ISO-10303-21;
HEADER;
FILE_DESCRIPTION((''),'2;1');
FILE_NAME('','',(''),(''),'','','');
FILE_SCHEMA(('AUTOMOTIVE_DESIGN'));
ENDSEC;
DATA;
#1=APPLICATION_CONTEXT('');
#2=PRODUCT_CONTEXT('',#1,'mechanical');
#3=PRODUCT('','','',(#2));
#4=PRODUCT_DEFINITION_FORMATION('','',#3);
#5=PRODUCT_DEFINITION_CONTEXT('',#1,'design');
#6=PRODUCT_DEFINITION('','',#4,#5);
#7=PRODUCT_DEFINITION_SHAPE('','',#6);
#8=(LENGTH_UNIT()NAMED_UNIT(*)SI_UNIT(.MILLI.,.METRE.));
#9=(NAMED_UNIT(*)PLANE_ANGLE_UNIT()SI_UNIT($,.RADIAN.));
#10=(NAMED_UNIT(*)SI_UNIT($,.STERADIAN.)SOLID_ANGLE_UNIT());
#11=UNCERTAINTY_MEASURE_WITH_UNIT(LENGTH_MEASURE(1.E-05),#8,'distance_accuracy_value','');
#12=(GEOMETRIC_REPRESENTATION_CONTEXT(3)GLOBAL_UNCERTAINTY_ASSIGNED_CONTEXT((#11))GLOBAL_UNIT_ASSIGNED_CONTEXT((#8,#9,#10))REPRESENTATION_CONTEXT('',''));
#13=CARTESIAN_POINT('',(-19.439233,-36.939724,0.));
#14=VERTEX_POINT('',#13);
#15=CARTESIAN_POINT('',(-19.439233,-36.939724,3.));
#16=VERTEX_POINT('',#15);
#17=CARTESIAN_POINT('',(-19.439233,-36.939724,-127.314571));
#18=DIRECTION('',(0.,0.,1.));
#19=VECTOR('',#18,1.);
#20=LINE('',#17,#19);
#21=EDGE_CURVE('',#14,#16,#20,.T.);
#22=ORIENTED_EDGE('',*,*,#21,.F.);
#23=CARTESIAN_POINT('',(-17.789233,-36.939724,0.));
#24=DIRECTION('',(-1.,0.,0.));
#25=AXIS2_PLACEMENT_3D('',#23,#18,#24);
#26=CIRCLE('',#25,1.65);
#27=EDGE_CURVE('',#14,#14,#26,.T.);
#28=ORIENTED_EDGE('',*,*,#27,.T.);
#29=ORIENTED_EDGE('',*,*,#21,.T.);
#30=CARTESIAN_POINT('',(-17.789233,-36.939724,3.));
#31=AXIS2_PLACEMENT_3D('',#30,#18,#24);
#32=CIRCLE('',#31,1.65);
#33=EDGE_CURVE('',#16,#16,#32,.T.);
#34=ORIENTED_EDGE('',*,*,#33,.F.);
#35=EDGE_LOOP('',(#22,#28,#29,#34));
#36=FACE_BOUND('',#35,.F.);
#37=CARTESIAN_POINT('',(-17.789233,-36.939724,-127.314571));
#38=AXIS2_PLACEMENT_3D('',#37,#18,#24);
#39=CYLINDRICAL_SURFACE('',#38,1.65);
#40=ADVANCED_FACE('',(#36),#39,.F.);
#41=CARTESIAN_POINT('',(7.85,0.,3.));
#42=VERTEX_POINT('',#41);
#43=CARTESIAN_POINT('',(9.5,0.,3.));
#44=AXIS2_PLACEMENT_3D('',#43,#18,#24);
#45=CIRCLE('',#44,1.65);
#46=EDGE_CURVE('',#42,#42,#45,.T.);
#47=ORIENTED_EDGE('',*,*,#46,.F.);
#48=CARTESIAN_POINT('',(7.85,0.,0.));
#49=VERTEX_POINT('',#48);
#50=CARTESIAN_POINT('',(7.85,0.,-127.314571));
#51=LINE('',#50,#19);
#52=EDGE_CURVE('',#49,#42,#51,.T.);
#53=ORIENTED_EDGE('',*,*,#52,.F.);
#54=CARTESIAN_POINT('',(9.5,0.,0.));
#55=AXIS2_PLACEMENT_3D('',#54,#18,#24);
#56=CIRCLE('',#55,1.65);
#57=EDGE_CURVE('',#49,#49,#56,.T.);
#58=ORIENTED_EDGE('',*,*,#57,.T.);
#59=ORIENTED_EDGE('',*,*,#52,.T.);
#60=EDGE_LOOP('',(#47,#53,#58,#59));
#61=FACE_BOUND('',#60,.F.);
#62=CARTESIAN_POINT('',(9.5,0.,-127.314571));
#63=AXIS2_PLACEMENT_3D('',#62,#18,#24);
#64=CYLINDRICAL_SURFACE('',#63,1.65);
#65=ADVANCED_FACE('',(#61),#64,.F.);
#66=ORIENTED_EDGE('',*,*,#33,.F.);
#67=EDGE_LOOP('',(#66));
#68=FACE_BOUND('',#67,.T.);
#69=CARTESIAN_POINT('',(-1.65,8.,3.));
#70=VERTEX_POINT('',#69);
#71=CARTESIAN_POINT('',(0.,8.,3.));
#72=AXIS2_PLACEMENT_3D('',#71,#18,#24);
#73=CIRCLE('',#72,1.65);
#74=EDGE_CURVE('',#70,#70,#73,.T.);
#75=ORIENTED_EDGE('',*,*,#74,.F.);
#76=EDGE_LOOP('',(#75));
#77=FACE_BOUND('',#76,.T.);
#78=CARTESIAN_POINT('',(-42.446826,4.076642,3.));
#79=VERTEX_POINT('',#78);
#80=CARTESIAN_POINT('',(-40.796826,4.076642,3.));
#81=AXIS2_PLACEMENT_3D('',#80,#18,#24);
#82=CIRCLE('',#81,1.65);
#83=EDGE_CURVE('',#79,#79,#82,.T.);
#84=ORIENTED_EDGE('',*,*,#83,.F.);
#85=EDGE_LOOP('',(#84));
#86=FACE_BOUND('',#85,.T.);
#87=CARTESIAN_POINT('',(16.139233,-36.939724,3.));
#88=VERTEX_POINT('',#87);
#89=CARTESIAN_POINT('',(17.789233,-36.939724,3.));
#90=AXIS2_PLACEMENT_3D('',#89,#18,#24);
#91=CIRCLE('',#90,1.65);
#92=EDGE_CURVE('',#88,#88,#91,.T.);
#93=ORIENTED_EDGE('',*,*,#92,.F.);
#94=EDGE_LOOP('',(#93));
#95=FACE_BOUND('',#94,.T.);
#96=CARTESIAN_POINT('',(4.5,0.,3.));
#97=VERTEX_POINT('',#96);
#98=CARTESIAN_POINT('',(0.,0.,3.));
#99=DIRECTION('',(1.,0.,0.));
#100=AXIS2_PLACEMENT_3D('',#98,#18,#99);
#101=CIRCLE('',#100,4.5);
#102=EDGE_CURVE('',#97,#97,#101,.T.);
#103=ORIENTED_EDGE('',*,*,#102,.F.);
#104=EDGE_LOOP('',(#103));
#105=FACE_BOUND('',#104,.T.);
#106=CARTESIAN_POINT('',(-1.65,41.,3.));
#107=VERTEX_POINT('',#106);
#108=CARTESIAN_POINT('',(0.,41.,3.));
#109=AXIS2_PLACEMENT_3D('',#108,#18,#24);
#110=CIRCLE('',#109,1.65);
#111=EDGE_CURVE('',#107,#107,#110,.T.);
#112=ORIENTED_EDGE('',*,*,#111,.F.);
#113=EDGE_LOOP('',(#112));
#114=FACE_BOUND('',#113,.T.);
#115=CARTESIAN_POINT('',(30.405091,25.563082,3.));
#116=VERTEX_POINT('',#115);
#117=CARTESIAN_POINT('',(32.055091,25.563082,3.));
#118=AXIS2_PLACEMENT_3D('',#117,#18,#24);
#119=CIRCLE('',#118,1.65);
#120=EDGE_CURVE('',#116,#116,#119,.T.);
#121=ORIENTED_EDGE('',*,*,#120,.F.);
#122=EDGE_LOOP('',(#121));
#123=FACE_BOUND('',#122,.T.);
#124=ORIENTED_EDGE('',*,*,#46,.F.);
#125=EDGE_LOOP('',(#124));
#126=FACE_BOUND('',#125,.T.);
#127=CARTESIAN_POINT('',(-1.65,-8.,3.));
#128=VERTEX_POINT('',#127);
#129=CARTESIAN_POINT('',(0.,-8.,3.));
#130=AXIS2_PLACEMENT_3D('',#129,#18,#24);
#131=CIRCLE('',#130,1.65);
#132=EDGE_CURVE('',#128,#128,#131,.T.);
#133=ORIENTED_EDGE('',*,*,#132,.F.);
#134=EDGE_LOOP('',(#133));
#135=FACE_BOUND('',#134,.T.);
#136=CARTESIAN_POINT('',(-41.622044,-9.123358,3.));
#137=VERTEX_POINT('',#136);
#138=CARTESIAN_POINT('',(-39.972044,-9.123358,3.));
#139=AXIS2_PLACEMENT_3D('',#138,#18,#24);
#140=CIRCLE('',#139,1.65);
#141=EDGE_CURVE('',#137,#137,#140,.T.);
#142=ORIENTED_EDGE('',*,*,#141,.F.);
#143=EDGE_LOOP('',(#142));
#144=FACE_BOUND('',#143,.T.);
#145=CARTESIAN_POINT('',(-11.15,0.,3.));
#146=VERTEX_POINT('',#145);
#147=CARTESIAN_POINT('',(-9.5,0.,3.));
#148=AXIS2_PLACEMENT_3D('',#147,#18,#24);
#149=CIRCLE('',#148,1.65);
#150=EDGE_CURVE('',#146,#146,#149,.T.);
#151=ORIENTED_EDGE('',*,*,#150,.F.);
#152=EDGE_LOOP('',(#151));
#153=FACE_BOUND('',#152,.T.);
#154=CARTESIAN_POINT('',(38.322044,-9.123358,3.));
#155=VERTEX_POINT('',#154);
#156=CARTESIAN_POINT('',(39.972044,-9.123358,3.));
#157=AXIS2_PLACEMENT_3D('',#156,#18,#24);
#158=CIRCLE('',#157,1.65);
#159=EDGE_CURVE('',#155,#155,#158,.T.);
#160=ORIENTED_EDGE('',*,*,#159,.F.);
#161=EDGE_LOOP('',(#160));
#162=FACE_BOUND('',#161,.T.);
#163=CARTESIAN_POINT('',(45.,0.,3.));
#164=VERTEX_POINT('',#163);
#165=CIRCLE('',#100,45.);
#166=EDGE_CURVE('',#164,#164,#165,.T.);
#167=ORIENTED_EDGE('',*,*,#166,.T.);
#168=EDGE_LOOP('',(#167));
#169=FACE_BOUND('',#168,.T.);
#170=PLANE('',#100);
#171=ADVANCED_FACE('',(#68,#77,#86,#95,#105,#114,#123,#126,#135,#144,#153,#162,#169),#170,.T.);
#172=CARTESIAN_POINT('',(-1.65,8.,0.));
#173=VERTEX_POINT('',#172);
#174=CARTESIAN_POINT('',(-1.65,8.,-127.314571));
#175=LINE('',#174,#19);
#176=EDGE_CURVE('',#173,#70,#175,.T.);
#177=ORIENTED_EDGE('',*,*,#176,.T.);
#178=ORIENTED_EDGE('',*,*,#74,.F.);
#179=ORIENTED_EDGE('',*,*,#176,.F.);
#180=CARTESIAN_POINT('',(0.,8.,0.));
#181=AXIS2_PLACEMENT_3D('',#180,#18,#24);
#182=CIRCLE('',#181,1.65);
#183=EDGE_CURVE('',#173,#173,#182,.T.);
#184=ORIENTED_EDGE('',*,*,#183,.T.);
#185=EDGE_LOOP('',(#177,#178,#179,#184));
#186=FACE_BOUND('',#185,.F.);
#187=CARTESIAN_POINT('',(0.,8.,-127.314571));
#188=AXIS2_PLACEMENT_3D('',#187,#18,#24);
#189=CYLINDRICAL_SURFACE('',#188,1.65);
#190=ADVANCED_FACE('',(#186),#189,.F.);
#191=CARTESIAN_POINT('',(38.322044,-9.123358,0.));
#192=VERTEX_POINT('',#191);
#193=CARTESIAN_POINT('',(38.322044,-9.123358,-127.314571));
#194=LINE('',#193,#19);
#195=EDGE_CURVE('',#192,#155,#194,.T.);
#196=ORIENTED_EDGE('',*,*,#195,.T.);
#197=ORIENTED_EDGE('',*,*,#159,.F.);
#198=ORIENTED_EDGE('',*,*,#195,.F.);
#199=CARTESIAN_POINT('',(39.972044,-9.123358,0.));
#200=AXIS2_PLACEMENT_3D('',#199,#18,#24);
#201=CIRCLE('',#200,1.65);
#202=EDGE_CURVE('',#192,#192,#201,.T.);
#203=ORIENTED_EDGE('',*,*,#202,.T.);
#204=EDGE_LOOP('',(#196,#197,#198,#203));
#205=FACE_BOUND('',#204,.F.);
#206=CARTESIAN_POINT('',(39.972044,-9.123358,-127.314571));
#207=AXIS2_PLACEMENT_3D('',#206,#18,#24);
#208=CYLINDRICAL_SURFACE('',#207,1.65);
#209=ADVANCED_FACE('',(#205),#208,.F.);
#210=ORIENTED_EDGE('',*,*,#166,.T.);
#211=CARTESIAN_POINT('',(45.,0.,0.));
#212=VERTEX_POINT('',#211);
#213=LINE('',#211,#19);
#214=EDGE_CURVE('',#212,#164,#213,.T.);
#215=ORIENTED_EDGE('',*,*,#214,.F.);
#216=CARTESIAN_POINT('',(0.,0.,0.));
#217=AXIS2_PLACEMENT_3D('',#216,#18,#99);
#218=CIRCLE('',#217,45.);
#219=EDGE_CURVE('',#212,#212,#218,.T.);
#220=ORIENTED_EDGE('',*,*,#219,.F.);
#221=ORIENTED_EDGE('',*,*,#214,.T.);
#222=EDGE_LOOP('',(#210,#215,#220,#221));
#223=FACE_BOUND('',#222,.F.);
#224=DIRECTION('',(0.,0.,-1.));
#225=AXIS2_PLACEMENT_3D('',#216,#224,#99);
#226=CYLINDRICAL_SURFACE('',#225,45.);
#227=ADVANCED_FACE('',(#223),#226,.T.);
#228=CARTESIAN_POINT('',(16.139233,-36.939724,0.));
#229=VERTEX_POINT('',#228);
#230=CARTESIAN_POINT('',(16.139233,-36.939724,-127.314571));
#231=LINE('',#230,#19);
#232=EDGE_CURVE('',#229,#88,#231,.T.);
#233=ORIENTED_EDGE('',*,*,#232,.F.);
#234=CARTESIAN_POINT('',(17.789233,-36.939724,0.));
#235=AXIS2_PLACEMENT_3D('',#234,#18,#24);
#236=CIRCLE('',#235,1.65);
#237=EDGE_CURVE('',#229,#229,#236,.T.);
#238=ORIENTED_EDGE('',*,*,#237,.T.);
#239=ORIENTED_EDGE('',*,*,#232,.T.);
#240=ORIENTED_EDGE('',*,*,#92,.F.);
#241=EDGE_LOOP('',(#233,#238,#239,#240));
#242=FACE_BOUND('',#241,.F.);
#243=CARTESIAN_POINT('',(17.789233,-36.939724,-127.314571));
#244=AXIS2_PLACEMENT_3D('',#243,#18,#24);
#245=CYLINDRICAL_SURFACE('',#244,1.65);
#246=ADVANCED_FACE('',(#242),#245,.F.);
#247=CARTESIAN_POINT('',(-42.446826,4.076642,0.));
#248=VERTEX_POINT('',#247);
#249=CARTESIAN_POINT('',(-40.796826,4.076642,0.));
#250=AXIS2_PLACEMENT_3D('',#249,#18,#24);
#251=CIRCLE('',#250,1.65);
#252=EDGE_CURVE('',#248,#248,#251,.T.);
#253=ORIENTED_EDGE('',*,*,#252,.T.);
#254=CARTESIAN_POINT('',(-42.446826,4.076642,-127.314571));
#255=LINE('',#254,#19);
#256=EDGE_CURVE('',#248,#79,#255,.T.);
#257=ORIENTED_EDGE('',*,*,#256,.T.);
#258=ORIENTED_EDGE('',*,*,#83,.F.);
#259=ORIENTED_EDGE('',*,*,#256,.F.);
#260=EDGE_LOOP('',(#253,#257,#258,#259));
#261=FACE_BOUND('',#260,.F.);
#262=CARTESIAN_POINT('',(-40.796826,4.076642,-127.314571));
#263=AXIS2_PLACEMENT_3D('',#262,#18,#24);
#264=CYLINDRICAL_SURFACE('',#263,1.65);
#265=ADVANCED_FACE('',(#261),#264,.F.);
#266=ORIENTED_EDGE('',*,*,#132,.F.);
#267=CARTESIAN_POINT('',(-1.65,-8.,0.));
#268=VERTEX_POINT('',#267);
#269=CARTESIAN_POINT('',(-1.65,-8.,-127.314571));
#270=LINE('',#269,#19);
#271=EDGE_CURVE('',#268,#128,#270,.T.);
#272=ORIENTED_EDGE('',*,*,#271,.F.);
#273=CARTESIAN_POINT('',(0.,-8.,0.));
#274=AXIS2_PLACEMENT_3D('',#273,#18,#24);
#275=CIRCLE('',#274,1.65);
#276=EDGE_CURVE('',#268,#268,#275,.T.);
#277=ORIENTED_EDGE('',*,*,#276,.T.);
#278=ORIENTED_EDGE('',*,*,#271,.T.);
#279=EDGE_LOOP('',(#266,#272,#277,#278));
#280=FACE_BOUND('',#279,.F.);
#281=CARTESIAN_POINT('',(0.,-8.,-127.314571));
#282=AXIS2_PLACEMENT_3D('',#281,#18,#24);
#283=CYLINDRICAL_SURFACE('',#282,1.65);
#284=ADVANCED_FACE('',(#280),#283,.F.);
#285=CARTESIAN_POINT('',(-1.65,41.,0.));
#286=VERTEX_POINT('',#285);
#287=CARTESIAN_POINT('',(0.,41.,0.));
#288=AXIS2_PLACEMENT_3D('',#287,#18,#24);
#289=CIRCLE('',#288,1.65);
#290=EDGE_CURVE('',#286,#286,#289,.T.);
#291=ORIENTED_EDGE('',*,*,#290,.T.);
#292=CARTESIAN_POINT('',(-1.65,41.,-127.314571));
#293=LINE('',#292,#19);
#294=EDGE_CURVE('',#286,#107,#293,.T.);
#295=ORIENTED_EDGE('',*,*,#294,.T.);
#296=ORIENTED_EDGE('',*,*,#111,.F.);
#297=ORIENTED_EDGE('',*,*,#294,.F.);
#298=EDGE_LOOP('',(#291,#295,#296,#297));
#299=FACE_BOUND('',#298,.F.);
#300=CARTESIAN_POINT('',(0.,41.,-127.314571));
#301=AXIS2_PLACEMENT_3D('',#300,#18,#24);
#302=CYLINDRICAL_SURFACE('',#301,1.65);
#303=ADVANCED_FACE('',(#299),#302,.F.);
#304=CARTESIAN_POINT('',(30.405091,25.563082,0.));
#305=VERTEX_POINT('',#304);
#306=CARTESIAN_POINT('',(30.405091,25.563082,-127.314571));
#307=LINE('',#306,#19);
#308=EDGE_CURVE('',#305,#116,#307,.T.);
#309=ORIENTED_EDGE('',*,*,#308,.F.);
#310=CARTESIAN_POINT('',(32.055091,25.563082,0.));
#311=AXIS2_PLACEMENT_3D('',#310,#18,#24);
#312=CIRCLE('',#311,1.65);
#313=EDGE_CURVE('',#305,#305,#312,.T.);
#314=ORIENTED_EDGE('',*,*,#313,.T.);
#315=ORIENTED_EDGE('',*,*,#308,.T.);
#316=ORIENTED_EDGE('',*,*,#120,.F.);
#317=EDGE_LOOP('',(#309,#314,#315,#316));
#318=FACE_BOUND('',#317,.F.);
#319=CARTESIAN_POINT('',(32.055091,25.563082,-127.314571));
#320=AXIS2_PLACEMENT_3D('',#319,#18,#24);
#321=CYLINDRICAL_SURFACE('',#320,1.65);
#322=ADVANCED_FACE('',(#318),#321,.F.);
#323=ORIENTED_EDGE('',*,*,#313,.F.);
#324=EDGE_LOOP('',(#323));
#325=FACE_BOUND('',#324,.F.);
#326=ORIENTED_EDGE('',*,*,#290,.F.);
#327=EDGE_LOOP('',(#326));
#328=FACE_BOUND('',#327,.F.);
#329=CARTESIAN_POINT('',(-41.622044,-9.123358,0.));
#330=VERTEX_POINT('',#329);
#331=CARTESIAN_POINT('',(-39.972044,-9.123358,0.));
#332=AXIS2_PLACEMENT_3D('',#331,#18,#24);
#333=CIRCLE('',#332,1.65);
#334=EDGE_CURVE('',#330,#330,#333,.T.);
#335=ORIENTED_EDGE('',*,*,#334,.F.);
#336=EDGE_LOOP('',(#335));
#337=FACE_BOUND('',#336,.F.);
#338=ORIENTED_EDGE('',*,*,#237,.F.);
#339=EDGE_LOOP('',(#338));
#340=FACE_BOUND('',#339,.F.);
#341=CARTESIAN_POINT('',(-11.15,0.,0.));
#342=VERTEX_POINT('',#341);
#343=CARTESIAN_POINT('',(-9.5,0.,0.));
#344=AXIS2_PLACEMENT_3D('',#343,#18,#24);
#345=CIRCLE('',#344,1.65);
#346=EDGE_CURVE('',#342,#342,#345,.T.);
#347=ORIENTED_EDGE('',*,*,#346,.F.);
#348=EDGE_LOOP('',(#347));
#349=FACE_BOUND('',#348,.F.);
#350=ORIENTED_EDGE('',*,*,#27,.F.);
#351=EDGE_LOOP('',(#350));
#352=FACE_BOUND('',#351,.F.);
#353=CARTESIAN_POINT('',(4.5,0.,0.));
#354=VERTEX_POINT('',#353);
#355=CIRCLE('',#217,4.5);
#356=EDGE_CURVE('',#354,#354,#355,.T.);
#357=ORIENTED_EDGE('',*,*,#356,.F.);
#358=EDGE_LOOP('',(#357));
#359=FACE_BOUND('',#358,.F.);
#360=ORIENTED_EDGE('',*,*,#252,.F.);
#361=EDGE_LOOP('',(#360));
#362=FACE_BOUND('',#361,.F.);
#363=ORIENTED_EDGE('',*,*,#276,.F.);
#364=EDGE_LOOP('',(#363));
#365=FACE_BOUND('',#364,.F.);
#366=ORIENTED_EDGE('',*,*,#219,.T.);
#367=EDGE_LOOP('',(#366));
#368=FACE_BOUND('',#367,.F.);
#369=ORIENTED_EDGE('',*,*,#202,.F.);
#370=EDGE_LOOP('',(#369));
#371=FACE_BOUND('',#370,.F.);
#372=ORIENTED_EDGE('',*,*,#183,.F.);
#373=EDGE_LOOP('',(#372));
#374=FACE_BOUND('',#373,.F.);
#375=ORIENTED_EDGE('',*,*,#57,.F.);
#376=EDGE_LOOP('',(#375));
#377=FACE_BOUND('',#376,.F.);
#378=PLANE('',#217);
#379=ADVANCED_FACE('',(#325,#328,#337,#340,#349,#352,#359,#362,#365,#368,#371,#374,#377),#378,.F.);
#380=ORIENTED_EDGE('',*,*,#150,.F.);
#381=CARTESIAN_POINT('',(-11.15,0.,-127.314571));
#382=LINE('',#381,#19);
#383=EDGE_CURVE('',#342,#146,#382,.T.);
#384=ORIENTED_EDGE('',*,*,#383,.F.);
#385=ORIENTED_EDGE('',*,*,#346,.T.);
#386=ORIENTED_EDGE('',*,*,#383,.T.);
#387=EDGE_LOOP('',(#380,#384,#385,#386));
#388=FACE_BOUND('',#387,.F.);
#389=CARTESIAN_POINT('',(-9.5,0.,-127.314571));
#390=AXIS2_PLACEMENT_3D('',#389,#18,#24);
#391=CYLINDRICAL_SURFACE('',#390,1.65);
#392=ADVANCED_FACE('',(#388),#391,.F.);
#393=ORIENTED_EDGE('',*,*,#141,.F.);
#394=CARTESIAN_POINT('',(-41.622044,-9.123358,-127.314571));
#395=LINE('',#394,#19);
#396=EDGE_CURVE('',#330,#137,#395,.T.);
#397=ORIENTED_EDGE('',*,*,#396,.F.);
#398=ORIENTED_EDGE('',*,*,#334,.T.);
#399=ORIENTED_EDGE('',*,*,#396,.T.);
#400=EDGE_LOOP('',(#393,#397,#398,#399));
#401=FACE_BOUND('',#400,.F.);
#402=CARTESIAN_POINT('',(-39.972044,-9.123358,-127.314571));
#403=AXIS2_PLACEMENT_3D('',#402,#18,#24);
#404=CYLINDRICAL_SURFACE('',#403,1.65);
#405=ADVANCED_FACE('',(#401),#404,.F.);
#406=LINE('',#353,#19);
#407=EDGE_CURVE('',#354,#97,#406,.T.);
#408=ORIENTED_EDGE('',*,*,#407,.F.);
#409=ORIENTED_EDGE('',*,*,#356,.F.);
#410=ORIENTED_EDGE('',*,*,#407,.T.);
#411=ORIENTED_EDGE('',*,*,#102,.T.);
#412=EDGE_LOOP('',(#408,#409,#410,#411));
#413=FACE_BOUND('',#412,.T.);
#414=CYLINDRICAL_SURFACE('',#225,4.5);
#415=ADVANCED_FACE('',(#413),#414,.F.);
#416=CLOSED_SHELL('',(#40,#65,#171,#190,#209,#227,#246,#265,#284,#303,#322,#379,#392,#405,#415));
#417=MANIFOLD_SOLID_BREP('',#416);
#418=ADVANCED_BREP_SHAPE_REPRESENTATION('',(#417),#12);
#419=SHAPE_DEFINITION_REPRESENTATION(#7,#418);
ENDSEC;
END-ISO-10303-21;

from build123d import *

# Parameters (mm, degrees)
F0_R     = 45
F0_R_2   = 4.5
F1_DEPTH = 3
F2_D     = 3.3


with BuildPart() as f1:
    # F0 (on Top) → F1 (new body)
    with BuildSketch(Plane.XY):
        Circle(F0_R)
        Circle(F0_R_2, mode=Mode.SUBTRACT)
    extrude(amount=F1_DEPTH)

    # F2 (through all)
    with Locations(Plane(origin=(0, 0, 0), x_dir=(1, 0, 0), z_dir=(0, 0, -1))):
        with Locations((9.5, 0), (0, -8), (-9.5, 0), (0, 8), (32.0550907812, -25.5630818762), (39.9720443995, 9.1233582922), (17.7892333038, 36.939723584), (-17.7892333038, 36.939723584), (-39.9720443995, 9.1233582922), (-40.7968257636, -4.0766417078), (0, -41)):
            Hole(F2_D / 2)


solid = f1.part
